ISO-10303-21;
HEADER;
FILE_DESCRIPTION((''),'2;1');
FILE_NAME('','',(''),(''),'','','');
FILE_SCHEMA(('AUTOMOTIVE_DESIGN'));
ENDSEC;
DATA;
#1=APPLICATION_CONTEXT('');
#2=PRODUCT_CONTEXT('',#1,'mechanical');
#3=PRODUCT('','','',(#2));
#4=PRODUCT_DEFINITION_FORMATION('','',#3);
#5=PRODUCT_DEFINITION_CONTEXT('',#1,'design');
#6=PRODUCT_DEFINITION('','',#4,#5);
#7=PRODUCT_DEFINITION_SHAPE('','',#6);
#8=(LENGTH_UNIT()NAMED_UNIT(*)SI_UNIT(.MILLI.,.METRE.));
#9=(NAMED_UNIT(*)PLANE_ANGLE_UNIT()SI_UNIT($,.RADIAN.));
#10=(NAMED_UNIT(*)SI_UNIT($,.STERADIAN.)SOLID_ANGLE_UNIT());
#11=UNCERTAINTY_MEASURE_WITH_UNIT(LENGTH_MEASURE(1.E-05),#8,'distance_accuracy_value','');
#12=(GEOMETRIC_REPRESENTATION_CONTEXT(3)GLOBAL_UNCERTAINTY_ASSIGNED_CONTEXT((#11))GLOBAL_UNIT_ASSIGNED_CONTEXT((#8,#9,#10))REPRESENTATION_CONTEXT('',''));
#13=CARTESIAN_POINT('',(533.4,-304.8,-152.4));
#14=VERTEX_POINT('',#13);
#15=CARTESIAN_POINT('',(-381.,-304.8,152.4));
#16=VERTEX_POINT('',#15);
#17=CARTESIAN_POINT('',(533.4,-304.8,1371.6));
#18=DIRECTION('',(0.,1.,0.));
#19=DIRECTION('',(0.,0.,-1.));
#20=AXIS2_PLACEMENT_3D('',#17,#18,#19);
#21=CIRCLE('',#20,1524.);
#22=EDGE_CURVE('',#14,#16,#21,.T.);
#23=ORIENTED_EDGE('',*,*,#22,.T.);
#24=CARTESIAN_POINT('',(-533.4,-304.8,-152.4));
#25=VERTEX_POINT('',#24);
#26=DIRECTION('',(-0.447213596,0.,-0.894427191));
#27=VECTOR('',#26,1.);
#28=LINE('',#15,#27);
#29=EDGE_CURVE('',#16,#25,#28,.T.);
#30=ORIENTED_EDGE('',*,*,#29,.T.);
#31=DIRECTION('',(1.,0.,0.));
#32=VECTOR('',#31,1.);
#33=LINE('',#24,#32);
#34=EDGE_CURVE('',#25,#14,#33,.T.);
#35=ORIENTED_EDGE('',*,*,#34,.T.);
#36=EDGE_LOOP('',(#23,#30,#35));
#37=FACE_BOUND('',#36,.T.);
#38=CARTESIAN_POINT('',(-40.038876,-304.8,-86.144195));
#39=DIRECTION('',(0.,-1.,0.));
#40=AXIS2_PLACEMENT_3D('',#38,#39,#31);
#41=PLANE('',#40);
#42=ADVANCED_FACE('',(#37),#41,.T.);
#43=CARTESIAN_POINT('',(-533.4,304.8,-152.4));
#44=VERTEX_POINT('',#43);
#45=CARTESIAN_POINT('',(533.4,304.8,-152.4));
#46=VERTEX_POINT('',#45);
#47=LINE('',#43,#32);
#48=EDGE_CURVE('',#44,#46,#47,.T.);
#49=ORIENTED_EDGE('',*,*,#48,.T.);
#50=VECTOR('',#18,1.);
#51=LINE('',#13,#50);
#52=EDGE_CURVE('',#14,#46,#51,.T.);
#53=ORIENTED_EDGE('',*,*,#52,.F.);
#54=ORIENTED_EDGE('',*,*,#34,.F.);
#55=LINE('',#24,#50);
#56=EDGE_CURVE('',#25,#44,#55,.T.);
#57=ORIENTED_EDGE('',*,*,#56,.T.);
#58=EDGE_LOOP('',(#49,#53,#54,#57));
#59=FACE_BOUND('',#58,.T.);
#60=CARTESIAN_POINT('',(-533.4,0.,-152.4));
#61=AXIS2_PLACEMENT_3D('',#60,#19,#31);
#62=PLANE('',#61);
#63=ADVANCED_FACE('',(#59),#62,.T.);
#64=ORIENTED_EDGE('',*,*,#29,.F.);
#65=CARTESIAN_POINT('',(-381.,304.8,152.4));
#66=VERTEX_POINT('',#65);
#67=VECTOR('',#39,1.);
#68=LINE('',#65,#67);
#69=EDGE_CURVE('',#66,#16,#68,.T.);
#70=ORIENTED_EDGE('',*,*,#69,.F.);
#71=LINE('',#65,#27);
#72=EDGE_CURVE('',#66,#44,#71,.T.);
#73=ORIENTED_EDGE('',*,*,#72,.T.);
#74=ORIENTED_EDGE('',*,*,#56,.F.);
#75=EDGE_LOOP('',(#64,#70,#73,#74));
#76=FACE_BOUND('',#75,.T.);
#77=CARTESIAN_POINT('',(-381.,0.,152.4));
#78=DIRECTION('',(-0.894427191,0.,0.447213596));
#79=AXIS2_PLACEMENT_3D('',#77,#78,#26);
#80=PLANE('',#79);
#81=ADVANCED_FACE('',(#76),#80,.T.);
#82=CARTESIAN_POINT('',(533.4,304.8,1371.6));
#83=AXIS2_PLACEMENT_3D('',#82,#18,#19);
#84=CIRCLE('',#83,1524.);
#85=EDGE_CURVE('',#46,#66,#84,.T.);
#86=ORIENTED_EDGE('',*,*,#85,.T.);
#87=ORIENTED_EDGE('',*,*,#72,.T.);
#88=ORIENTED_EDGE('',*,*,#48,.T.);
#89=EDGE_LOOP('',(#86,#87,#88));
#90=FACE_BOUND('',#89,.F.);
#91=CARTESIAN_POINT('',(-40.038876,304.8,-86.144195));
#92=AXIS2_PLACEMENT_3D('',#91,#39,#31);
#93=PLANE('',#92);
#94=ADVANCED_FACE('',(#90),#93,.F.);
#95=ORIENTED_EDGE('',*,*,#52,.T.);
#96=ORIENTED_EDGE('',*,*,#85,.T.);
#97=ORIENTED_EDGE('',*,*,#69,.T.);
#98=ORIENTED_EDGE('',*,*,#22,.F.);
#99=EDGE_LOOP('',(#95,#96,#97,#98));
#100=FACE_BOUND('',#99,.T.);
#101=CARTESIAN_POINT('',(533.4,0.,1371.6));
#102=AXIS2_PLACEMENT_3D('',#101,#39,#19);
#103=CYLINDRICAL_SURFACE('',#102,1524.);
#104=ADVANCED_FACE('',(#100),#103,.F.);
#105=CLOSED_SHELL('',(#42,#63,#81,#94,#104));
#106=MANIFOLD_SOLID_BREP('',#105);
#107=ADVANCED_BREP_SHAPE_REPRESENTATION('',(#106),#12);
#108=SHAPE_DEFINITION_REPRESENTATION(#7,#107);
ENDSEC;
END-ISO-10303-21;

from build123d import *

# Parameters (mm, degrees)
F1_DEPTH = 304.8


with BuildPart() as f1:
    # F0 (on Front) → F1 (new body, symmetric)
    with BuildSketch(Plane.XZ):
        with BuildLine():
            ThreePointArc((533.4, -152.4), (51.4688845903, -74.193346229), (-381, 152.4))
            Line((-381, 152.4), (-533.4, -152.4))
            Line((-533.4, -152.4), (533.4, -152.4))
        make_face()
    extrude(amount=F1_DEPTH, both=True)


solid = f1.part
